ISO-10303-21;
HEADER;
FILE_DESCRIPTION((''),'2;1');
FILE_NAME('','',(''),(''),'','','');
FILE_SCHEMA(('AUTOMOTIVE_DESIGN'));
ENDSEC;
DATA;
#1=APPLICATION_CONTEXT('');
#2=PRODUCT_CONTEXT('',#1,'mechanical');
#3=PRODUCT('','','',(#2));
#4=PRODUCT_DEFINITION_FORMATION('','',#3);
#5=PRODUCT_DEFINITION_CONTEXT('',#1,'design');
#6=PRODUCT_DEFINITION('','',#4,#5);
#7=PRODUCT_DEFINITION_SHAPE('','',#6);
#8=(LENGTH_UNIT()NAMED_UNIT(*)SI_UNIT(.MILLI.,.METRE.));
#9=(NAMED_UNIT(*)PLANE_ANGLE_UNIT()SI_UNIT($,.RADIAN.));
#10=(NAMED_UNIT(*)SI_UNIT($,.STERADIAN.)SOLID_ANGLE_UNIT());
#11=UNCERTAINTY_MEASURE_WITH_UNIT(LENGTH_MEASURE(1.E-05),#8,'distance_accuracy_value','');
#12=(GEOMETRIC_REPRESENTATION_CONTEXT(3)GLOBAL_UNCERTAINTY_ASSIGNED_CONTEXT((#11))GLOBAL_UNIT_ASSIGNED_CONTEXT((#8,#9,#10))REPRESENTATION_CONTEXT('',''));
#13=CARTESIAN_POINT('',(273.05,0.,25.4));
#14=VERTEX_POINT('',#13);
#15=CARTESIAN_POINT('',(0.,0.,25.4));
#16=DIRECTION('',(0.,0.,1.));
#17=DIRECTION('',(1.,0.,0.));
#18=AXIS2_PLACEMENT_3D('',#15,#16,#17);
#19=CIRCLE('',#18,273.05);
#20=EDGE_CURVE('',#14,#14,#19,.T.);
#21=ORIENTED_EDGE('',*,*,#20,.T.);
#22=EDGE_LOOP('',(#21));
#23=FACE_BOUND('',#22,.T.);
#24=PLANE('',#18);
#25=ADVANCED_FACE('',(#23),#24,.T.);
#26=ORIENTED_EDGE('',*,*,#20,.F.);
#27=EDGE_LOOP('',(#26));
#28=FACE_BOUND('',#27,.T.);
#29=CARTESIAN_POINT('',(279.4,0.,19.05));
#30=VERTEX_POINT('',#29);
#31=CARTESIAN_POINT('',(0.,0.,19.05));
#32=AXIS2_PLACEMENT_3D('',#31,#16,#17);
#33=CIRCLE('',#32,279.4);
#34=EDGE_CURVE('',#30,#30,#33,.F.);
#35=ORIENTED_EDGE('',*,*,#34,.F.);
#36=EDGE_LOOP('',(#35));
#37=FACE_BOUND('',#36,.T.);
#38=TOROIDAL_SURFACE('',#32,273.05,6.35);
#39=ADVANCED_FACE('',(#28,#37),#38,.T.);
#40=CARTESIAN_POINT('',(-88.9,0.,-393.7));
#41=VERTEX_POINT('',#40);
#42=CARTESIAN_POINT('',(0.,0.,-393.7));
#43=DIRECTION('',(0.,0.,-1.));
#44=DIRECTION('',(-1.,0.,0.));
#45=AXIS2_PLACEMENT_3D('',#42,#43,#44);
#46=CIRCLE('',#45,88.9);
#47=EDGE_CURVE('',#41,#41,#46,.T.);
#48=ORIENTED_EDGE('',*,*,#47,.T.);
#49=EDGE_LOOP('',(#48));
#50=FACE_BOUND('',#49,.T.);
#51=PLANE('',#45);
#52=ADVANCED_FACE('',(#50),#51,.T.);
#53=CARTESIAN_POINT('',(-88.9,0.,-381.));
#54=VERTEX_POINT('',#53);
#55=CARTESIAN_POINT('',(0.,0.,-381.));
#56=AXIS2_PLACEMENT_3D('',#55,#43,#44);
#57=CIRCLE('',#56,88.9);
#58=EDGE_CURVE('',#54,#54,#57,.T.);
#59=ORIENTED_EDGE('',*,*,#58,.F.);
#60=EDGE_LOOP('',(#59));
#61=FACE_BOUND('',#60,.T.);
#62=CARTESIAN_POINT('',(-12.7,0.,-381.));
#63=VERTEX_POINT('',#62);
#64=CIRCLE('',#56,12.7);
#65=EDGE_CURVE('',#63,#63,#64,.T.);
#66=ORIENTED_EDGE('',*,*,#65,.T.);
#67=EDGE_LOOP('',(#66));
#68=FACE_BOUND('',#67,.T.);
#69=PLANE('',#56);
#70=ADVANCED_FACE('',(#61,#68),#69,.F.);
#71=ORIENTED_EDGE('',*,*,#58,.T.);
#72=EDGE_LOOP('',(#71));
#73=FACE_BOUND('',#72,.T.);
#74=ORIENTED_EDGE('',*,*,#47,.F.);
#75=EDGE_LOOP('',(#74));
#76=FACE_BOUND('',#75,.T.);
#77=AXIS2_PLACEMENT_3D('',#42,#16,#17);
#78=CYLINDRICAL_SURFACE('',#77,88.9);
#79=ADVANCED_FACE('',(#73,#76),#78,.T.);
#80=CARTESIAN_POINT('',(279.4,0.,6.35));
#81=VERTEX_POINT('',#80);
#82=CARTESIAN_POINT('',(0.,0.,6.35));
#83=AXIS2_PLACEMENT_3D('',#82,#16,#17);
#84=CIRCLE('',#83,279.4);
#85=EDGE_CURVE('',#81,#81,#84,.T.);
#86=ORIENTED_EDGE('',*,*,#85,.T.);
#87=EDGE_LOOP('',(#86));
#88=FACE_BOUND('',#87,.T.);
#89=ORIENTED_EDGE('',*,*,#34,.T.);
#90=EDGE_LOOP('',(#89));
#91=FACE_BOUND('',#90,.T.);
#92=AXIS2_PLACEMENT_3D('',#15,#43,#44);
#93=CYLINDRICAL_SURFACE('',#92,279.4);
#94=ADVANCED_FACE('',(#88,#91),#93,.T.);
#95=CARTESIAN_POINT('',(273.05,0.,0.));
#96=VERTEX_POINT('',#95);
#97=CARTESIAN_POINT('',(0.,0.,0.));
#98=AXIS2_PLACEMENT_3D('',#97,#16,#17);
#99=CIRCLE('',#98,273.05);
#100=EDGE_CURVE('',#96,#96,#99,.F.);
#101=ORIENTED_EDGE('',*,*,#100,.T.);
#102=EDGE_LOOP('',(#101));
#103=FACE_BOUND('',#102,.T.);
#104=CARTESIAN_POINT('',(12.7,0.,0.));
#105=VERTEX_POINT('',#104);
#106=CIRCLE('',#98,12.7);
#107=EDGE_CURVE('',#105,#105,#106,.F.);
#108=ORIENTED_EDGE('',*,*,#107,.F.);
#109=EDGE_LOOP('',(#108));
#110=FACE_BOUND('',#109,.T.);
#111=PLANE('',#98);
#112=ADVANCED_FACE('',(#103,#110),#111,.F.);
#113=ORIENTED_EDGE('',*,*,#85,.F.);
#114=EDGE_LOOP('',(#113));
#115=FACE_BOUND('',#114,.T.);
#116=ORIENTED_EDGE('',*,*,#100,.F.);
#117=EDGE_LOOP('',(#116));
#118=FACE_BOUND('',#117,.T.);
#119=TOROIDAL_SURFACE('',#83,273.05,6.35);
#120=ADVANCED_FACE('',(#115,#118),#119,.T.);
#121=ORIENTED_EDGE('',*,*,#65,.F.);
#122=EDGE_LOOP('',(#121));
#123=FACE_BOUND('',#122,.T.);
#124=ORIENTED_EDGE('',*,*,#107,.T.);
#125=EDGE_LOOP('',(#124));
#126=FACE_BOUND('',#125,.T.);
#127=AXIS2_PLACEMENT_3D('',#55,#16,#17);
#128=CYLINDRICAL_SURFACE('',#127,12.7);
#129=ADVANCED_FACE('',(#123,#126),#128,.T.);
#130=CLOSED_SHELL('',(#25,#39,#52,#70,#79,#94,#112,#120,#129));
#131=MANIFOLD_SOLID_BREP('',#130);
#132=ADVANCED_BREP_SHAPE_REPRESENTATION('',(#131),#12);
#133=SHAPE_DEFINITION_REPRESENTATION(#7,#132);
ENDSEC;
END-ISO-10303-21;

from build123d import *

# Parameters (mm, degrees)
SKETCH1_R               = 279.4
BASE_EXTRUDE_DEPTH      = 25.4
SKETCH5_R               = 12.7
BOSS_EXTRUDE1_DEPTH     = 381
FILLET2_R               = 6.35
CROQUIS1_R              = 88.9
SALIENTE_EXTRUIR1_DEPTH = 12.7


with BuildPart() as part:
    # Sketch1 → Base-Extrude (new body)
    with BuildSketch(Plane.XY):
        Circle(SKETCH1_R)
    extrude(amount=BASE_EXTRUDE_DEPTH)

    # Sketch5 → Boss-Extrude1 (add)
    with BuildSketch(Plane(origin=(0, 0, 0), x_dir=(-1, 0, 0), z_dir=(0, 0, -1))):
        Circle(SKETCH5_R)
    extrude(amount=BOSS_EXTRUDE1_DEPTH)

    # Fillet2
    fillet2_edges = [part.edges().sort_by_distance(p)[0] for p in [
        (-279.4, 0, 0),
        (-279.4, 0, 25.4),
    ]]
    fillet(fillet2_edges, radius=FILLET2_R)

    # Croquis1 → Saliente-Extruir1 (add)
    with BuildSketch(Plane(origin=(0, 0, -381), x_dir=(-1, 0, 0), z_dir=(0, 0, -1))):
        Circle(CROQUIS1_R)
    extrude(amount=SALIENTE_EXTRUIR1_DEPTH)


solid = part.part
